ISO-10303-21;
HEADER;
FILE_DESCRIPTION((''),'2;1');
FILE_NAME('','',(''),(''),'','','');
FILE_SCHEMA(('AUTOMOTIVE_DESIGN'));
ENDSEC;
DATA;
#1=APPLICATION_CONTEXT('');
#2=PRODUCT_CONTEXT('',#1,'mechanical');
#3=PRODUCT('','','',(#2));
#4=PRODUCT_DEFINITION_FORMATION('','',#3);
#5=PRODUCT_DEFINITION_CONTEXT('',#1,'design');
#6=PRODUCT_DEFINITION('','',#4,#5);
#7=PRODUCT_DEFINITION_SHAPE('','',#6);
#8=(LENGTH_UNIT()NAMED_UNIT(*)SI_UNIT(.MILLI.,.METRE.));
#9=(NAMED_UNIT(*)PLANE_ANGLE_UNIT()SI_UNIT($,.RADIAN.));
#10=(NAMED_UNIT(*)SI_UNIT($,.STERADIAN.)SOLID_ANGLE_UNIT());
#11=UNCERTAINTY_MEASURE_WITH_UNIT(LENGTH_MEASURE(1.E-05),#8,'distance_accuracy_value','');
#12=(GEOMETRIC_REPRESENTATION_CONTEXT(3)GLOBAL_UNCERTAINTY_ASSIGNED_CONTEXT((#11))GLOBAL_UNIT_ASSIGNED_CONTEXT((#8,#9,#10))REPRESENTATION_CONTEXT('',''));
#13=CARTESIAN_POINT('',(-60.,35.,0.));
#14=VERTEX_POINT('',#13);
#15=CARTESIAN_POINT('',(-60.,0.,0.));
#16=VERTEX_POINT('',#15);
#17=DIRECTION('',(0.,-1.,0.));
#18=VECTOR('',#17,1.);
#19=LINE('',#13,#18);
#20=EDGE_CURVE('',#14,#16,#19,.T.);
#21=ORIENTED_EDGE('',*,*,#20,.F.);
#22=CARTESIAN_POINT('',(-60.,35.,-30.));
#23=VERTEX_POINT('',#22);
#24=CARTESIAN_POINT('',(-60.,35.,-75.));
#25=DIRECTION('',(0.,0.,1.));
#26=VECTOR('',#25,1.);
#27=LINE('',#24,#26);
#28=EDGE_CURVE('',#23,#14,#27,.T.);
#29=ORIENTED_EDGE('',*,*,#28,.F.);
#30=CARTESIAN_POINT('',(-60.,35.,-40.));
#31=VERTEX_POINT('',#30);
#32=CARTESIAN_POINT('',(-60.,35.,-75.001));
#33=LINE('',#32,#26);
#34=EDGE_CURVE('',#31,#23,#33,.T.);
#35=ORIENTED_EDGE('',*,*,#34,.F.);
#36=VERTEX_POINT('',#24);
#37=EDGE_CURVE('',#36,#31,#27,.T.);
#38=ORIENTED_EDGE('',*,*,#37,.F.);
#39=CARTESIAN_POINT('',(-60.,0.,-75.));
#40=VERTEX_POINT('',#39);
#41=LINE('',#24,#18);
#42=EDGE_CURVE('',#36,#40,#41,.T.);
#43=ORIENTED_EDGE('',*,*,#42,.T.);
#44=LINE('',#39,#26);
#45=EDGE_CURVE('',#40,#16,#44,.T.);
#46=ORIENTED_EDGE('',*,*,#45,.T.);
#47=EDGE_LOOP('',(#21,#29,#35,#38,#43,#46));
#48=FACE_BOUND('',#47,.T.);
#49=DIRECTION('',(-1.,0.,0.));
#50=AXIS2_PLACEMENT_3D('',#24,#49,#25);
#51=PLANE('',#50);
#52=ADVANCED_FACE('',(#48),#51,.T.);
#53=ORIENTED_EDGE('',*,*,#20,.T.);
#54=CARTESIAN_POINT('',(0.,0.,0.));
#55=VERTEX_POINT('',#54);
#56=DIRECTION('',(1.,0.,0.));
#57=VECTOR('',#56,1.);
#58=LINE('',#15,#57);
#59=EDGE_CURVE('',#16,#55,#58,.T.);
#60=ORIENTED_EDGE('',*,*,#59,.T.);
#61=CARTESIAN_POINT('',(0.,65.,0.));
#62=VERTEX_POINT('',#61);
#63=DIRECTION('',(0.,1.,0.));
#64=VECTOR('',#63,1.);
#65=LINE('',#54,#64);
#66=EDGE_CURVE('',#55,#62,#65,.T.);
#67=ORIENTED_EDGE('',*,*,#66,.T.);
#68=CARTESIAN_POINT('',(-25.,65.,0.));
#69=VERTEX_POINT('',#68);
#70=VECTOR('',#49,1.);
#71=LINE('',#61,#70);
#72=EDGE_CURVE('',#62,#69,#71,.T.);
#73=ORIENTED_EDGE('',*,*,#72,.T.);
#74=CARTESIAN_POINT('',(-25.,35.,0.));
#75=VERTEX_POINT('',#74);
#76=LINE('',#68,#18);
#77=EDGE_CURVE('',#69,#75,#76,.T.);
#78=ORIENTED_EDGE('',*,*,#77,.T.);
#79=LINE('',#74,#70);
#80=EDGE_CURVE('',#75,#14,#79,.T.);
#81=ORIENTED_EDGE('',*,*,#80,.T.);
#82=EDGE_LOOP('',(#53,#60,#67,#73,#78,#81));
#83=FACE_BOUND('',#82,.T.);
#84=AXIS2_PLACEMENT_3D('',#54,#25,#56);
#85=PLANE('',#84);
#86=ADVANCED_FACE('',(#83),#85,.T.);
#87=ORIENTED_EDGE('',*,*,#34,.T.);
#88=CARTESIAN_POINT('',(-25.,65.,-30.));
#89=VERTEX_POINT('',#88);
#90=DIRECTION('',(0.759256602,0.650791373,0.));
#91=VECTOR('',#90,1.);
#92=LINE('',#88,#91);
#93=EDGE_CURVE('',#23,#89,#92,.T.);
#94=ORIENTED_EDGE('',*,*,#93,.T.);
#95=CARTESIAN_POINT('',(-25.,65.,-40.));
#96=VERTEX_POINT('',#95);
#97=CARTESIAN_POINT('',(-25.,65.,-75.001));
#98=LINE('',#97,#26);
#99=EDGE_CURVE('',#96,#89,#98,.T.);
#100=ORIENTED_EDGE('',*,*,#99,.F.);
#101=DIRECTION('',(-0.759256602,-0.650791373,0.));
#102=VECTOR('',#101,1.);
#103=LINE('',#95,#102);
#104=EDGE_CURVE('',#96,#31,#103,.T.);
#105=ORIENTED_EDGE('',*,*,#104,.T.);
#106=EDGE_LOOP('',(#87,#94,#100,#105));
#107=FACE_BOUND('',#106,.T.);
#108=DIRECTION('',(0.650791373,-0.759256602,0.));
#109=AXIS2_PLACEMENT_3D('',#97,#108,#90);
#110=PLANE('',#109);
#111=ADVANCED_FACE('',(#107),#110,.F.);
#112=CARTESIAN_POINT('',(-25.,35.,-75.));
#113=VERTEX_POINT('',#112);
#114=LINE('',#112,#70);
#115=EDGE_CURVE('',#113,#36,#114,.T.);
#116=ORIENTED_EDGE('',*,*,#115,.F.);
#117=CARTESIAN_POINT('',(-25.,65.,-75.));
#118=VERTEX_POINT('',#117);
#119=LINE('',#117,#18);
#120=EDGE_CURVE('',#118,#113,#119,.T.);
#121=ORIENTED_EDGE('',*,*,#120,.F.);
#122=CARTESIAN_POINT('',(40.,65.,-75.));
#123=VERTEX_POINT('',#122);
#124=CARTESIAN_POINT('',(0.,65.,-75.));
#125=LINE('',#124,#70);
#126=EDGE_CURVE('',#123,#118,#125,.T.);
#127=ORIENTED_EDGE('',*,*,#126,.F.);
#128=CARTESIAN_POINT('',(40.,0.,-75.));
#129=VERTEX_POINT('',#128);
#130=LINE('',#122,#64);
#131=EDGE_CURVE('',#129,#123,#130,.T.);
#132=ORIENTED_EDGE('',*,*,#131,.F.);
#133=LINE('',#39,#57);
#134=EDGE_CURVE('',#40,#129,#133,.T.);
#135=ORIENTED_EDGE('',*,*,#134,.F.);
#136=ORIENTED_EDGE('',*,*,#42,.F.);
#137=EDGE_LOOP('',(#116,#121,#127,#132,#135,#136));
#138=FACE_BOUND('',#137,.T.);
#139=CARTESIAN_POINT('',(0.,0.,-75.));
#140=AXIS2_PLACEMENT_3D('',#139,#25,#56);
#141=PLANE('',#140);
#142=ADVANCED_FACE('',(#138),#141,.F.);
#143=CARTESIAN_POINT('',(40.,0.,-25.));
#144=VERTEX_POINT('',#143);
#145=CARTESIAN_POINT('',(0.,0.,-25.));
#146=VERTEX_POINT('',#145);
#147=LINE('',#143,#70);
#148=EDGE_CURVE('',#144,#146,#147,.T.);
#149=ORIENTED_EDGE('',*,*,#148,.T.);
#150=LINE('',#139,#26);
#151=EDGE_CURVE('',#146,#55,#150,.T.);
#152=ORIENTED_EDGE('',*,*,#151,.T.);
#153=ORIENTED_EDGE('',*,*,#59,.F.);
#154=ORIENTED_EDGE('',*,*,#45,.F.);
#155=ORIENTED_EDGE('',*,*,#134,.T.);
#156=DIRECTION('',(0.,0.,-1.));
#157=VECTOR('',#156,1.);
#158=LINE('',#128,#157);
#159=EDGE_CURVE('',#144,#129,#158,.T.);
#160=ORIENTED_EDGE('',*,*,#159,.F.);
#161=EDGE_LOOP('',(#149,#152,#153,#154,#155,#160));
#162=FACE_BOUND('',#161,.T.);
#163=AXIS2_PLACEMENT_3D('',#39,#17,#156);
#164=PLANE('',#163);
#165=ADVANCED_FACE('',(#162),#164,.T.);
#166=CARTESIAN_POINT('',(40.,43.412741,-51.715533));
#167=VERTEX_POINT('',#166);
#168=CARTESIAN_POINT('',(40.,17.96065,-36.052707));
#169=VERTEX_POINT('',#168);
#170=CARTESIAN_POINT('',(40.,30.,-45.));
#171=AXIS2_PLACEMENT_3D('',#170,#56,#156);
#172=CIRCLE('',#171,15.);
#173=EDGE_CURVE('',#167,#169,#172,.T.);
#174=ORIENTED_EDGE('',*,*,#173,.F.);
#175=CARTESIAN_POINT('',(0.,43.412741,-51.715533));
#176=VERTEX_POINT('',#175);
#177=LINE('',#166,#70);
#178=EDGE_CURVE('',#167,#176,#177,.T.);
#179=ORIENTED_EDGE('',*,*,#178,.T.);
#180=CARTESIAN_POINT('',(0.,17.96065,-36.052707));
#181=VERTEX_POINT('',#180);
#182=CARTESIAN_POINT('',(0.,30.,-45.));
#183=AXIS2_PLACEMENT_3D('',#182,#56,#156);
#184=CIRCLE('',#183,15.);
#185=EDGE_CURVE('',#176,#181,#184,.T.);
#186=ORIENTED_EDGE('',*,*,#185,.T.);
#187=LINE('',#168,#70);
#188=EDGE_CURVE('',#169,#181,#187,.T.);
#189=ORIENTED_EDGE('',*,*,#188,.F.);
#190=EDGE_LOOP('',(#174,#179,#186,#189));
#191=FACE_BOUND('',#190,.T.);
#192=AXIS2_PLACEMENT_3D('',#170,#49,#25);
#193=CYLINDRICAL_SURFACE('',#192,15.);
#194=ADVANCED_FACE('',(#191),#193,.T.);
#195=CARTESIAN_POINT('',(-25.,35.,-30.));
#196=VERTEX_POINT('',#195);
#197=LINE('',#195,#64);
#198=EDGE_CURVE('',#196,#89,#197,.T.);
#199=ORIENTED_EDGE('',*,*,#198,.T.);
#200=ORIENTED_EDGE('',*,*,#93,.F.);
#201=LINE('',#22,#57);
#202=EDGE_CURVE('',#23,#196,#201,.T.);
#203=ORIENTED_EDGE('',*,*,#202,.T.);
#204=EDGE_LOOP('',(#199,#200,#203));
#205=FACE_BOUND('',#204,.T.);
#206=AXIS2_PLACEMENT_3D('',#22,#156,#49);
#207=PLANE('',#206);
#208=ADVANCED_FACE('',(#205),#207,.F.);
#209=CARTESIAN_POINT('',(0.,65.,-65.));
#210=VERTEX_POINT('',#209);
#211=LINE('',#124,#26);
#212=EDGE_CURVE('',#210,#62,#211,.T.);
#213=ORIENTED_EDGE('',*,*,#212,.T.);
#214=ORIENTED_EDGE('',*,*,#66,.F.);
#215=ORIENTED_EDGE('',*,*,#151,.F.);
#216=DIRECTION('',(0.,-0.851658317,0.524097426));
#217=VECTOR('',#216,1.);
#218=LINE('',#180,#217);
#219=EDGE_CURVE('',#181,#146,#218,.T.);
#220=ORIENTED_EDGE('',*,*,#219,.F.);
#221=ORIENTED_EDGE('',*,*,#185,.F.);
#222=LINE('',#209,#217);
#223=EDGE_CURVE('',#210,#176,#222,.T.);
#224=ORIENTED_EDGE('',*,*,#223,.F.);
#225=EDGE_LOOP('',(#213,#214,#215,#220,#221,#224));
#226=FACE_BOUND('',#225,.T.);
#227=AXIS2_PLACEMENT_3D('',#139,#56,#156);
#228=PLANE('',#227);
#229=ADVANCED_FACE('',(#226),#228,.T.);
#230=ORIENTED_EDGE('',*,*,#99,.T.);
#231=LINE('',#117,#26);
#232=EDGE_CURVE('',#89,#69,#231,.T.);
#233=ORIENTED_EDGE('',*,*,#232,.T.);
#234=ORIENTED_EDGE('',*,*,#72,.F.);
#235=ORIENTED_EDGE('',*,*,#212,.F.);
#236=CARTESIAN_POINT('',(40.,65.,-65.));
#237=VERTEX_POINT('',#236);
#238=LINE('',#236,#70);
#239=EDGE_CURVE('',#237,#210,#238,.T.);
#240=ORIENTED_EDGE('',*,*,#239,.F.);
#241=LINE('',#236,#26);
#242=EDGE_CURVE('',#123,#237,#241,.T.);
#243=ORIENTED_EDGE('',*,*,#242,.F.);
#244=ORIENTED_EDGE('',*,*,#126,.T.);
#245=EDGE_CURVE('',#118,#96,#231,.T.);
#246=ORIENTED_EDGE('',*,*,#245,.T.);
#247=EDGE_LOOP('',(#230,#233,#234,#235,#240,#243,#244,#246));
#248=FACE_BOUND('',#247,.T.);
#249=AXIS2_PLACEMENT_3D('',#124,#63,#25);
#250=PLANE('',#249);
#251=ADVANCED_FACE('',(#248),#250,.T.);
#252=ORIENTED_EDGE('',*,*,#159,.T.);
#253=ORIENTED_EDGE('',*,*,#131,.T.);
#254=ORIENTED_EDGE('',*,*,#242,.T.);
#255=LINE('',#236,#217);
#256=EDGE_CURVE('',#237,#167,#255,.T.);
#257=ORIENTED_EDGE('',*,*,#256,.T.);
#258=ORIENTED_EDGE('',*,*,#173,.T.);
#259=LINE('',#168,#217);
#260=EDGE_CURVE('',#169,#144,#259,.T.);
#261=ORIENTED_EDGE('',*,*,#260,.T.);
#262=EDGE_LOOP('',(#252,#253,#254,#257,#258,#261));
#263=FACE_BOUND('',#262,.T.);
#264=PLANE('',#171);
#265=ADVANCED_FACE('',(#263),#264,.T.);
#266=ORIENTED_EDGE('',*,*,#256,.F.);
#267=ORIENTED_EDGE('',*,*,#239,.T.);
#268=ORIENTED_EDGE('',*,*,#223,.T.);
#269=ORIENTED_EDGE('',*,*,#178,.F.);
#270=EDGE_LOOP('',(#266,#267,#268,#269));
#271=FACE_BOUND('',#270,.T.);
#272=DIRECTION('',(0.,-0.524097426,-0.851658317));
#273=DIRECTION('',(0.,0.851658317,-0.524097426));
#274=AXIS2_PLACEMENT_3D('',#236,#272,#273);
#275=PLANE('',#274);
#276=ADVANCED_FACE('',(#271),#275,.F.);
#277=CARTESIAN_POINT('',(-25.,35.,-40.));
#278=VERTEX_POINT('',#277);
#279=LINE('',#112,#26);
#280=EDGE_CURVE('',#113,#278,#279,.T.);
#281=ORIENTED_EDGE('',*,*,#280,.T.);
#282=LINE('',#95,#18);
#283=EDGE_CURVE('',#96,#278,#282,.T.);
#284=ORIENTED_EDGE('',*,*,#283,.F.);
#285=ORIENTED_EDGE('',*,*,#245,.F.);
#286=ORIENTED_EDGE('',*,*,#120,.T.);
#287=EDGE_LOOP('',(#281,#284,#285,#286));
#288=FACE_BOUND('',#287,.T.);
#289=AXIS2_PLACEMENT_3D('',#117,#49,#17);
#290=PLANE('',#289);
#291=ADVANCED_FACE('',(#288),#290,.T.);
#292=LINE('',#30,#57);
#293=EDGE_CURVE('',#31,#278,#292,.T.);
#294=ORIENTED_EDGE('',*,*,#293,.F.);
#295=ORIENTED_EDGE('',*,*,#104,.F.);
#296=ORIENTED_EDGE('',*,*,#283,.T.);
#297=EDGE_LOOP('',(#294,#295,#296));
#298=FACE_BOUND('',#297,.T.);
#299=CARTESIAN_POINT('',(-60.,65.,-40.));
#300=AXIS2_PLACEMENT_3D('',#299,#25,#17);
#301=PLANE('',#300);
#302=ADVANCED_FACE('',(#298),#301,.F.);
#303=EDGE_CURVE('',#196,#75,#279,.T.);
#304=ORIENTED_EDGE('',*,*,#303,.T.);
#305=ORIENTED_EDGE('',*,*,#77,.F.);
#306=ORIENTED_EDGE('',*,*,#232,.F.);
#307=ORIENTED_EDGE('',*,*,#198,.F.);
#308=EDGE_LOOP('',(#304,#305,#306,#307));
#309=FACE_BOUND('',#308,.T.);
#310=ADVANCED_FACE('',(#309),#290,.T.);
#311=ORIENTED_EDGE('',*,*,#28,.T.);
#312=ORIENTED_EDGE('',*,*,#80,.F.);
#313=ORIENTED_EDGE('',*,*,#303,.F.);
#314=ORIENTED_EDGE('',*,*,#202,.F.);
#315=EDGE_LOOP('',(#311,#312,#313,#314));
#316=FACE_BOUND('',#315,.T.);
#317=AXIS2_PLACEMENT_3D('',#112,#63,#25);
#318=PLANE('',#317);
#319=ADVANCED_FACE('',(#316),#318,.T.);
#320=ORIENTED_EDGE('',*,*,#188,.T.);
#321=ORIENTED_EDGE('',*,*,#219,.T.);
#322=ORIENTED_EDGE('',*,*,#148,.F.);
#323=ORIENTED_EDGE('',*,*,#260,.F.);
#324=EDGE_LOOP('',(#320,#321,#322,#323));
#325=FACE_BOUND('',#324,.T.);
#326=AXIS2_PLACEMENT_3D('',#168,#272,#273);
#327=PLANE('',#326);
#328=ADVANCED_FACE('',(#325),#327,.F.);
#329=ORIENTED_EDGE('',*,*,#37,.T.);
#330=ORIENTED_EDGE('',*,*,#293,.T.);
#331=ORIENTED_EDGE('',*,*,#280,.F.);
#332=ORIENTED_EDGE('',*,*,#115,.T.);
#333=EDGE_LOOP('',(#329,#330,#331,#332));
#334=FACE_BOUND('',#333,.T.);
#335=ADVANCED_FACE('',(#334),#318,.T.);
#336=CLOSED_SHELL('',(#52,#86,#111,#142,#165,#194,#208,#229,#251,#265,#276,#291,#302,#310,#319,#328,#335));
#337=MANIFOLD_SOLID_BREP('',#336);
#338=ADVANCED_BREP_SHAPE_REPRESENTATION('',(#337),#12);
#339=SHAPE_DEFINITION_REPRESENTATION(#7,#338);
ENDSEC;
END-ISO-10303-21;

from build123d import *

# Parameters (mm, degrees)
RESSALTO_EXTRUS_O1_DEPTH = 75
RESSALTO_EXTRUS_O2_DEPTH = 40
ESBO_O4_W                = 10
ESBO_O4_H                = 30
RESSALTO_EXTRUS_O3_DEPTH = 35
CORTE_EXTRUS_O1_REACH    = 101.247


with BuildPart() as part:
    # Esboço2 → Ressalto-extrusão1 (new body)
    with BuildSketch(Plane.XY):
        Polygon((-60, 35), (-60, 0), (0, 0), (0, 65), (-25, 65), (-25, 35), align=None)
    extrude(amount=-RESSALTO_EXTRUS_O1_DEPTH)

    # Esboço3 → Ressalto-extrusão2 (add)
    with BuildSketch(Plane(origin=(0, 0, 0), x_dir=(0, 0, -1), z_dir=(1, 0, 0))):
        with BuildLine():
            Line((65, 65), (51.71553286, 43.412740898))
            ThreePointArc((51.71553286, 43.412740898), (32.225125249, 37.861461385), (36.052707483, 17.96064966))
            Line((36.052707483, 17.96064966), (25, 0))
            Line((25, 0), (75, 0))
            Line((75, 0), (75, 65))
            Line((75, 65), (65, 65))
        make_face()
    extrude(amount=RESSALTO_EXTRUS_O2_DEPTH)

    # Esboço4 → Ressalto-extrusão3 (add)
    with BuildSketch(Plane.ZY.offset(25)):
        with Locations((-35, 50)):
            Rectangle(ESBO_O4_W, ESBO_O4_H)
    extrude(amount=RESSALTO_EXTRUS_O3_DEPTH)

    # Esboço6 → Corte-extrusão1 (cut, up to next)
    with BuildSketch(Plane.XY.offset(-30), mode=Mode.PRIVATE) as corte_extrus_o1_sk1:
        Polygon((-25, 65), (-60, 35), (-60, 65), align=None)
    corte_extrus_o1_tool1 = extrude(corte_extrus_o1_sk1.sketch, amount=-CORTE_EXTRUS_O1_REACH, mode=Mode.PRIVATE) & part.part
    add(corte_extrus_o1_tool1.solids().sort_by_distance((-48.333333, 55, -30))[0], mode=Mode.SUBTRACT)


solid = part.part
